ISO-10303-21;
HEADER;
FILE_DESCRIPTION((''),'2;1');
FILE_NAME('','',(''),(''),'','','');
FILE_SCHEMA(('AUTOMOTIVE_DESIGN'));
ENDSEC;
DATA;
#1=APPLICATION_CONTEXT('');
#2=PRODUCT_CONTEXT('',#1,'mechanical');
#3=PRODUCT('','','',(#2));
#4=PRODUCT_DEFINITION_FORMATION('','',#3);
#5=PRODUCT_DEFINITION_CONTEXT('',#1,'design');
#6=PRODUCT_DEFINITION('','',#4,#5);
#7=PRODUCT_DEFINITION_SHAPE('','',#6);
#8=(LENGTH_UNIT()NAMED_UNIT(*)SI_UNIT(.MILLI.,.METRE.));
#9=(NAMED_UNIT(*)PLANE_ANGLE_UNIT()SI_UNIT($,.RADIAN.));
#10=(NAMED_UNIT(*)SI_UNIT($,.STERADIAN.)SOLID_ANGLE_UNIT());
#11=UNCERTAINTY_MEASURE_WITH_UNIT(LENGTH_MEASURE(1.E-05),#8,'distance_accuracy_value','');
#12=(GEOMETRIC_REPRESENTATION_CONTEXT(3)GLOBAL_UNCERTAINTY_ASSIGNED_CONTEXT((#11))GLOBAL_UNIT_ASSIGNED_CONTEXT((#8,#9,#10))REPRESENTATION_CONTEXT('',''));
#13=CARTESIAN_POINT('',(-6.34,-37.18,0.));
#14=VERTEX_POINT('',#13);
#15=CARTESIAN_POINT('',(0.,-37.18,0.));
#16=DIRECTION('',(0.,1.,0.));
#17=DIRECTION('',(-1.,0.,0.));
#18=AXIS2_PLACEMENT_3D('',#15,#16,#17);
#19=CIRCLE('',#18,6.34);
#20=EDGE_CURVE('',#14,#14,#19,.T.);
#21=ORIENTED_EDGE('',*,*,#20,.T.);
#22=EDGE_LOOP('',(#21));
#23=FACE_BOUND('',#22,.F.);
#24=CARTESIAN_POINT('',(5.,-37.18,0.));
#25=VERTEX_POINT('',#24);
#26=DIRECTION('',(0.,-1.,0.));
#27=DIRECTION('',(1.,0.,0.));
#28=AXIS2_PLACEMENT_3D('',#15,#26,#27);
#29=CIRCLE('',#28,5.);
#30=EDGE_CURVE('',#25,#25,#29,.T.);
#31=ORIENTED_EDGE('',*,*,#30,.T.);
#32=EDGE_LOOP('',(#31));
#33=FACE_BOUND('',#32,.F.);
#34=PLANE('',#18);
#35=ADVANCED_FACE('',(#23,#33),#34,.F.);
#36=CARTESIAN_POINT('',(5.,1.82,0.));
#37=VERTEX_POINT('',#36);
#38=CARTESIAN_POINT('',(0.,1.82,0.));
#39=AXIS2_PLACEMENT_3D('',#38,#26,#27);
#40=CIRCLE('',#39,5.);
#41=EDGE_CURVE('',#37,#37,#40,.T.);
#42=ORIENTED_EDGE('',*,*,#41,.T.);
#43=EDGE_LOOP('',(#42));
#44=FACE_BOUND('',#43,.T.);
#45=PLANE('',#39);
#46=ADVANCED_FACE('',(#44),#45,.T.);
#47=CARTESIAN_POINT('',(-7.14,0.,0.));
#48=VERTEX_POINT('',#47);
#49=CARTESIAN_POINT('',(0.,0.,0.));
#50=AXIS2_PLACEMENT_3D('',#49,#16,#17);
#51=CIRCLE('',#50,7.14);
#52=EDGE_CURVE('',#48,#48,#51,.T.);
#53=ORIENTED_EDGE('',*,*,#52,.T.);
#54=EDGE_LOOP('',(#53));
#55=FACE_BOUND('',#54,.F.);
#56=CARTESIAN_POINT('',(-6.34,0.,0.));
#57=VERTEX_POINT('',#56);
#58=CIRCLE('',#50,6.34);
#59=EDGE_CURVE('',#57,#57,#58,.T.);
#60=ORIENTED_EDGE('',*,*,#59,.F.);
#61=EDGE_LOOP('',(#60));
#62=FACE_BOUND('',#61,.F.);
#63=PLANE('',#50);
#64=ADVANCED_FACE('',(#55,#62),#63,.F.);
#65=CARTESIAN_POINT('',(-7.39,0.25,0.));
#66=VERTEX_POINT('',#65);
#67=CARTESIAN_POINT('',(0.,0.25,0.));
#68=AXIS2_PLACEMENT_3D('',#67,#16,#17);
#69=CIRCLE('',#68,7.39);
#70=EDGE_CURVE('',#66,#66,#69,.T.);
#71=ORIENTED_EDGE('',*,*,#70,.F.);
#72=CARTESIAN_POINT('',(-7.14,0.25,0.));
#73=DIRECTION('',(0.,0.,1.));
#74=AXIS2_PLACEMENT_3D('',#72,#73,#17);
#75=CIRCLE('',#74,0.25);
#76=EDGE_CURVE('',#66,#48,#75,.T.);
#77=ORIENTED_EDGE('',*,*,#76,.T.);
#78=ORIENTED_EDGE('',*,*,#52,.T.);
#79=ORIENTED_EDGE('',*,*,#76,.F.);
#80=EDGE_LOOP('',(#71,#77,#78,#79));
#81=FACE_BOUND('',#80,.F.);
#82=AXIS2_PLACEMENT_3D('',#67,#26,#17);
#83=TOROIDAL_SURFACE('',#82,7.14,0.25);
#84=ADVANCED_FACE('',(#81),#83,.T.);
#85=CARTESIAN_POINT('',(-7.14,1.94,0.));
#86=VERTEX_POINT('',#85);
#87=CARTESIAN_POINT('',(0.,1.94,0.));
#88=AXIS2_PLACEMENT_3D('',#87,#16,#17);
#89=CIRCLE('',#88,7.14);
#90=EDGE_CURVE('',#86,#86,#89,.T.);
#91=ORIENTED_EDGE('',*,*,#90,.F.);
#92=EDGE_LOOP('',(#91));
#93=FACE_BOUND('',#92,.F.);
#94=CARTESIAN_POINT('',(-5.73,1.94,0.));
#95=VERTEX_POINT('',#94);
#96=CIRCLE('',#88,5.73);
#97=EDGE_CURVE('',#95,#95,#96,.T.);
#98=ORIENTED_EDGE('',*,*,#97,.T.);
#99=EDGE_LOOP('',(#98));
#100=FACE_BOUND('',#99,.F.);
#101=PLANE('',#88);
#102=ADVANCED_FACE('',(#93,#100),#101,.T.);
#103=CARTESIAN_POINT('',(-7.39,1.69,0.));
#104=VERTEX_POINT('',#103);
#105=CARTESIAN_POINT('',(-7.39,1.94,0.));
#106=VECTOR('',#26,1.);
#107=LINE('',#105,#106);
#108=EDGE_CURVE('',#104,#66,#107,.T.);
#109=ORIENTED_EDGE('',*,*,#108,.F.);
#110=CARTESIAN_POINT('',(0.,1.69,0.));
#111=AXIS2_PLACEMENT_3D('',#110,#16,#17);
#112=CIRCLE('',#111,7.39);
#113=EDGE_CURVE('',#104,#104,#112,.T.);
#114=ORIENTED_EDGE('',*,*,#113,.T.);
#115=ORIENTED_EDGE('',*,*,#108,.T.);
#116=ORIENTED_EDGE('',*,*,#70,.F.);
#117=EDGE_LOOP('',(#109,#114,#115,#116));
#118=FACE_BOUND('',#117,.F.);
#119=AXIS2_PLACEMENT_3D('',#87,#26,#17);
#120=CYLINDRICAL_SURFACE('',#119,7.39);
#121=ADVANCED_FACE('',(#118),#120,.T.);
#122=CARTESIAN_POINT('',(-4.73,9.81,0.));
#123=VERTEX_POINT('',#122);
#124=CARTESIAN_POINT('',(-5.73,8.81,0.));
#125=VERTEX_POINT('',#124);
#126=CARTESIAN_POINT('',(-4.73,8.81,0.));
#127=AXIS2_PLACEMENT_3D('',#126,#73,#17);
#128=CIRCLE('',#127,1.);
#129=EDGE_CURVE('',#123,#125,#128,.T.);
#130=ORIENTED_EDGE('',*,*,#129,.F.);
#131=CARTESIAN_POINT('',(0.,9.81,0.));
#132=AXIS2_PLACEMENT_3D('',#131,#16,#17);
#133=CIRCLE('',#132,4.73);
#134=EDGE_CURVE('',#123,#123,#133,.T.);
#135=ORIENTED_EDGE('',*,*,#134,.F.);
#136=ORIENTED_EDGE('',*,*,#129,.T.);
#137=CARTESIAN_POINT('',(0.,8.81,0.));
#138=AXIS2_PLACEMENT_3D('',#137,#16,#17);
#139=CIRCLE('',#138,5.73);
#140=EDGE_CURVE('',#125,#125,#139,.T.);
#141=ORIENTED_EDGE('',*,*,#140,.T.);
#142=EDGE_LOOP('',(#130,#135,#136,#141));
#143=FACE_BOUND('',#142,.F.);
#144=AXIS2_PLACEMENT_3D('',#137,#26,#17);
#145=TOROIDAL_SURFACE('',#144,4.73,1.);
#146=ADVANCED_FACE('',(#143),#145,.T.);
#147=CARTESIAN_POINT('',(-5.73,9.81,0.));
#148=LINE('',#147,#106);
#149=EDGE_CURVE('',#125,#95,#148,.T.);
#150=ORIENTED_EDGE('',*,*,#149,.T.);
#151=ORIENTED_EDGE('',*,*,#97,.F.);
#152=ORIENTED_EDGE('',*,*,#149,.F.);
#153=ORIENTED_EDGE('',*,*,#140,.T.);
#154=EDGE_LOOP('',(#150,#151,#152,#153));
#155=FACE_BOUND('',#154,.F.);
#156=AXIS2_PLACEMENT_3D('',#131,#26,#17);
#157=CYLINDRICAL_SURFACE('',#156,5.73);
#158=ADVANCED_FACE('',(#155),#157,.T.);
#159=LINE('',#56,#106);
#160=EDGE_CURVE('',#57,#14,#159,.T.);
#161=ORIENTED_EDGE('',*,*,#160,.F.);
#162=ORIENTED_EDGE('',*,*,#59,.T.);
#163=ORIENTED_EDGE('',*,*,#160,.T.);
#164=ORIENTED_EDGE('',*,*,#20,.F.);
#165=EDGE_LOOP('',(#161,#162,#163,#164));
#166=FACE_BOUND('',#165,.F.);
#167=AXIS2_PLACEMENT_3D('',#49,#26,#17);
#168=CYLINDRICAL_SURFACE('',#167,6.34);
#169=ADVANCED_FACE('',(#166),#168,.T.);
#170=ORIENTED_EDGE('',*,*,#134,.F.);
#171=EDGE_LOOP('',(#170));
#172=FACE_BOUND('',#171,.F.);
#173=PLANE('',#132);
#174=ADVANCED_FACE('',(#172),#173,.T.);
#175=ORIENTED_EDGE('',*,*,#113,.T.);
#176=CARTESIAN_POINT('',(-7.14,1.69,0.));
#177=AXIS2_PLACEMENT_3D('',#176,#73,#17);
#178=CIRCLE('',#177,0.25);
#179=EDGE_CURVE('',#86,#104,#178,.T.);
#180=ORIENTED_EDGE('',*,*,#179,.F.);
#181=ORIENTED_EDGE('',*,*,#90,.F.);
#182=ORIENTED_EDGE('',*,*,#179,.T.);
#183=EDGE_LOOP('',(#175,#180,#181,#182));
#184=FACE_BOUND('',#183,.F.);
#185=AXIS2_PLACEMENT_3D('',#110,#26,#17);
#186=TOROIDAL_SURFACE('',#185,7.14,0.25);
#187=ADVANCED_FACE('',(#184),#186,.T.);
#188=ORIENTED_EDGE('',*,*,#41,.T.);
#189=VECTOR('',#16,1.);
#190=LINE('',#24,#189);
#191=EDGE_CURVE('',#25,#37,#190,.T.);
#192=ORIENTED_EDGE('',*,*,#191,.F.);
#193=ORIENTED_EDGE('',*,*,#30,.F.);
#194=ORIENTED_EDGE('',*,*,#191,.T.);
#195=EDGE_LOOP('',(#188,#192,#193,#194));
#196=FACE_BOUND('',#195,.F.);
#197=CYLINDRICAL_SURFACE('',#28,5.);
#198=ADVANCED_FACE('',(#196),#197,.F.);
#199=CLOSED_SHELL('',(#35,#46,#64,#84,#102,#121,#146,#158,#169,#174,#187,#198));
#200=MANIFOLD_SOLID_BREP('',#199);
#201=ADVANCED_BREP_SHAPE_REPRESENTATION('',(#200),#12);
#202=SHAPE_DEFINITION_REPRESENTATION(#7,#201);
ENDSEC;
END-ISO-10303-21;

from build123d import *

# Parameters (mm, degrees)
F2_R     = 1
F3_R     = 0.25
F4_R     = 5
F5_DEPTH = 39


with BuildPart() as f1:
    # F0 (on Top) → F1 (revolve)
    with BuildSketch(Plane.XY):
        Polygon((-6.34, -37.18), (0, -37.18), (0, 9.81), (-5.73, 9.81), (-5.73, 1.94), (-7.39, 1.94), (-7.39, 0), (-6.34, 0), align=None)
    revolve(axis=Axis((0, -13.32371, 0), (0, 1, 0)))

    # F2
    f2_edges = [f1.edges().sort_by_distance(p)[0] for p in [
        (5.73, 9.81, 0),
    ]]
    fillet(f2_edges, radius=F2_R)

    # F3
    f3_edges = [f1.edges().sort_by_distance(p)[0] for p in [
        (7.39, 1.94, 0),
        (7.39, 0, 0),
        (-7.39, 0.97, 0),
    ]]
    fillet(f3_edges, radius=F3_R)

    # F4 (on face) → F5 (cut)
    with BuildSketch(Plane.XZ.offset(37.18)):
        Circle(F4_R)
    extrude(amount=-F5_DEPTH, mode=Mode.SUBTRACT)


solid = f1.part
